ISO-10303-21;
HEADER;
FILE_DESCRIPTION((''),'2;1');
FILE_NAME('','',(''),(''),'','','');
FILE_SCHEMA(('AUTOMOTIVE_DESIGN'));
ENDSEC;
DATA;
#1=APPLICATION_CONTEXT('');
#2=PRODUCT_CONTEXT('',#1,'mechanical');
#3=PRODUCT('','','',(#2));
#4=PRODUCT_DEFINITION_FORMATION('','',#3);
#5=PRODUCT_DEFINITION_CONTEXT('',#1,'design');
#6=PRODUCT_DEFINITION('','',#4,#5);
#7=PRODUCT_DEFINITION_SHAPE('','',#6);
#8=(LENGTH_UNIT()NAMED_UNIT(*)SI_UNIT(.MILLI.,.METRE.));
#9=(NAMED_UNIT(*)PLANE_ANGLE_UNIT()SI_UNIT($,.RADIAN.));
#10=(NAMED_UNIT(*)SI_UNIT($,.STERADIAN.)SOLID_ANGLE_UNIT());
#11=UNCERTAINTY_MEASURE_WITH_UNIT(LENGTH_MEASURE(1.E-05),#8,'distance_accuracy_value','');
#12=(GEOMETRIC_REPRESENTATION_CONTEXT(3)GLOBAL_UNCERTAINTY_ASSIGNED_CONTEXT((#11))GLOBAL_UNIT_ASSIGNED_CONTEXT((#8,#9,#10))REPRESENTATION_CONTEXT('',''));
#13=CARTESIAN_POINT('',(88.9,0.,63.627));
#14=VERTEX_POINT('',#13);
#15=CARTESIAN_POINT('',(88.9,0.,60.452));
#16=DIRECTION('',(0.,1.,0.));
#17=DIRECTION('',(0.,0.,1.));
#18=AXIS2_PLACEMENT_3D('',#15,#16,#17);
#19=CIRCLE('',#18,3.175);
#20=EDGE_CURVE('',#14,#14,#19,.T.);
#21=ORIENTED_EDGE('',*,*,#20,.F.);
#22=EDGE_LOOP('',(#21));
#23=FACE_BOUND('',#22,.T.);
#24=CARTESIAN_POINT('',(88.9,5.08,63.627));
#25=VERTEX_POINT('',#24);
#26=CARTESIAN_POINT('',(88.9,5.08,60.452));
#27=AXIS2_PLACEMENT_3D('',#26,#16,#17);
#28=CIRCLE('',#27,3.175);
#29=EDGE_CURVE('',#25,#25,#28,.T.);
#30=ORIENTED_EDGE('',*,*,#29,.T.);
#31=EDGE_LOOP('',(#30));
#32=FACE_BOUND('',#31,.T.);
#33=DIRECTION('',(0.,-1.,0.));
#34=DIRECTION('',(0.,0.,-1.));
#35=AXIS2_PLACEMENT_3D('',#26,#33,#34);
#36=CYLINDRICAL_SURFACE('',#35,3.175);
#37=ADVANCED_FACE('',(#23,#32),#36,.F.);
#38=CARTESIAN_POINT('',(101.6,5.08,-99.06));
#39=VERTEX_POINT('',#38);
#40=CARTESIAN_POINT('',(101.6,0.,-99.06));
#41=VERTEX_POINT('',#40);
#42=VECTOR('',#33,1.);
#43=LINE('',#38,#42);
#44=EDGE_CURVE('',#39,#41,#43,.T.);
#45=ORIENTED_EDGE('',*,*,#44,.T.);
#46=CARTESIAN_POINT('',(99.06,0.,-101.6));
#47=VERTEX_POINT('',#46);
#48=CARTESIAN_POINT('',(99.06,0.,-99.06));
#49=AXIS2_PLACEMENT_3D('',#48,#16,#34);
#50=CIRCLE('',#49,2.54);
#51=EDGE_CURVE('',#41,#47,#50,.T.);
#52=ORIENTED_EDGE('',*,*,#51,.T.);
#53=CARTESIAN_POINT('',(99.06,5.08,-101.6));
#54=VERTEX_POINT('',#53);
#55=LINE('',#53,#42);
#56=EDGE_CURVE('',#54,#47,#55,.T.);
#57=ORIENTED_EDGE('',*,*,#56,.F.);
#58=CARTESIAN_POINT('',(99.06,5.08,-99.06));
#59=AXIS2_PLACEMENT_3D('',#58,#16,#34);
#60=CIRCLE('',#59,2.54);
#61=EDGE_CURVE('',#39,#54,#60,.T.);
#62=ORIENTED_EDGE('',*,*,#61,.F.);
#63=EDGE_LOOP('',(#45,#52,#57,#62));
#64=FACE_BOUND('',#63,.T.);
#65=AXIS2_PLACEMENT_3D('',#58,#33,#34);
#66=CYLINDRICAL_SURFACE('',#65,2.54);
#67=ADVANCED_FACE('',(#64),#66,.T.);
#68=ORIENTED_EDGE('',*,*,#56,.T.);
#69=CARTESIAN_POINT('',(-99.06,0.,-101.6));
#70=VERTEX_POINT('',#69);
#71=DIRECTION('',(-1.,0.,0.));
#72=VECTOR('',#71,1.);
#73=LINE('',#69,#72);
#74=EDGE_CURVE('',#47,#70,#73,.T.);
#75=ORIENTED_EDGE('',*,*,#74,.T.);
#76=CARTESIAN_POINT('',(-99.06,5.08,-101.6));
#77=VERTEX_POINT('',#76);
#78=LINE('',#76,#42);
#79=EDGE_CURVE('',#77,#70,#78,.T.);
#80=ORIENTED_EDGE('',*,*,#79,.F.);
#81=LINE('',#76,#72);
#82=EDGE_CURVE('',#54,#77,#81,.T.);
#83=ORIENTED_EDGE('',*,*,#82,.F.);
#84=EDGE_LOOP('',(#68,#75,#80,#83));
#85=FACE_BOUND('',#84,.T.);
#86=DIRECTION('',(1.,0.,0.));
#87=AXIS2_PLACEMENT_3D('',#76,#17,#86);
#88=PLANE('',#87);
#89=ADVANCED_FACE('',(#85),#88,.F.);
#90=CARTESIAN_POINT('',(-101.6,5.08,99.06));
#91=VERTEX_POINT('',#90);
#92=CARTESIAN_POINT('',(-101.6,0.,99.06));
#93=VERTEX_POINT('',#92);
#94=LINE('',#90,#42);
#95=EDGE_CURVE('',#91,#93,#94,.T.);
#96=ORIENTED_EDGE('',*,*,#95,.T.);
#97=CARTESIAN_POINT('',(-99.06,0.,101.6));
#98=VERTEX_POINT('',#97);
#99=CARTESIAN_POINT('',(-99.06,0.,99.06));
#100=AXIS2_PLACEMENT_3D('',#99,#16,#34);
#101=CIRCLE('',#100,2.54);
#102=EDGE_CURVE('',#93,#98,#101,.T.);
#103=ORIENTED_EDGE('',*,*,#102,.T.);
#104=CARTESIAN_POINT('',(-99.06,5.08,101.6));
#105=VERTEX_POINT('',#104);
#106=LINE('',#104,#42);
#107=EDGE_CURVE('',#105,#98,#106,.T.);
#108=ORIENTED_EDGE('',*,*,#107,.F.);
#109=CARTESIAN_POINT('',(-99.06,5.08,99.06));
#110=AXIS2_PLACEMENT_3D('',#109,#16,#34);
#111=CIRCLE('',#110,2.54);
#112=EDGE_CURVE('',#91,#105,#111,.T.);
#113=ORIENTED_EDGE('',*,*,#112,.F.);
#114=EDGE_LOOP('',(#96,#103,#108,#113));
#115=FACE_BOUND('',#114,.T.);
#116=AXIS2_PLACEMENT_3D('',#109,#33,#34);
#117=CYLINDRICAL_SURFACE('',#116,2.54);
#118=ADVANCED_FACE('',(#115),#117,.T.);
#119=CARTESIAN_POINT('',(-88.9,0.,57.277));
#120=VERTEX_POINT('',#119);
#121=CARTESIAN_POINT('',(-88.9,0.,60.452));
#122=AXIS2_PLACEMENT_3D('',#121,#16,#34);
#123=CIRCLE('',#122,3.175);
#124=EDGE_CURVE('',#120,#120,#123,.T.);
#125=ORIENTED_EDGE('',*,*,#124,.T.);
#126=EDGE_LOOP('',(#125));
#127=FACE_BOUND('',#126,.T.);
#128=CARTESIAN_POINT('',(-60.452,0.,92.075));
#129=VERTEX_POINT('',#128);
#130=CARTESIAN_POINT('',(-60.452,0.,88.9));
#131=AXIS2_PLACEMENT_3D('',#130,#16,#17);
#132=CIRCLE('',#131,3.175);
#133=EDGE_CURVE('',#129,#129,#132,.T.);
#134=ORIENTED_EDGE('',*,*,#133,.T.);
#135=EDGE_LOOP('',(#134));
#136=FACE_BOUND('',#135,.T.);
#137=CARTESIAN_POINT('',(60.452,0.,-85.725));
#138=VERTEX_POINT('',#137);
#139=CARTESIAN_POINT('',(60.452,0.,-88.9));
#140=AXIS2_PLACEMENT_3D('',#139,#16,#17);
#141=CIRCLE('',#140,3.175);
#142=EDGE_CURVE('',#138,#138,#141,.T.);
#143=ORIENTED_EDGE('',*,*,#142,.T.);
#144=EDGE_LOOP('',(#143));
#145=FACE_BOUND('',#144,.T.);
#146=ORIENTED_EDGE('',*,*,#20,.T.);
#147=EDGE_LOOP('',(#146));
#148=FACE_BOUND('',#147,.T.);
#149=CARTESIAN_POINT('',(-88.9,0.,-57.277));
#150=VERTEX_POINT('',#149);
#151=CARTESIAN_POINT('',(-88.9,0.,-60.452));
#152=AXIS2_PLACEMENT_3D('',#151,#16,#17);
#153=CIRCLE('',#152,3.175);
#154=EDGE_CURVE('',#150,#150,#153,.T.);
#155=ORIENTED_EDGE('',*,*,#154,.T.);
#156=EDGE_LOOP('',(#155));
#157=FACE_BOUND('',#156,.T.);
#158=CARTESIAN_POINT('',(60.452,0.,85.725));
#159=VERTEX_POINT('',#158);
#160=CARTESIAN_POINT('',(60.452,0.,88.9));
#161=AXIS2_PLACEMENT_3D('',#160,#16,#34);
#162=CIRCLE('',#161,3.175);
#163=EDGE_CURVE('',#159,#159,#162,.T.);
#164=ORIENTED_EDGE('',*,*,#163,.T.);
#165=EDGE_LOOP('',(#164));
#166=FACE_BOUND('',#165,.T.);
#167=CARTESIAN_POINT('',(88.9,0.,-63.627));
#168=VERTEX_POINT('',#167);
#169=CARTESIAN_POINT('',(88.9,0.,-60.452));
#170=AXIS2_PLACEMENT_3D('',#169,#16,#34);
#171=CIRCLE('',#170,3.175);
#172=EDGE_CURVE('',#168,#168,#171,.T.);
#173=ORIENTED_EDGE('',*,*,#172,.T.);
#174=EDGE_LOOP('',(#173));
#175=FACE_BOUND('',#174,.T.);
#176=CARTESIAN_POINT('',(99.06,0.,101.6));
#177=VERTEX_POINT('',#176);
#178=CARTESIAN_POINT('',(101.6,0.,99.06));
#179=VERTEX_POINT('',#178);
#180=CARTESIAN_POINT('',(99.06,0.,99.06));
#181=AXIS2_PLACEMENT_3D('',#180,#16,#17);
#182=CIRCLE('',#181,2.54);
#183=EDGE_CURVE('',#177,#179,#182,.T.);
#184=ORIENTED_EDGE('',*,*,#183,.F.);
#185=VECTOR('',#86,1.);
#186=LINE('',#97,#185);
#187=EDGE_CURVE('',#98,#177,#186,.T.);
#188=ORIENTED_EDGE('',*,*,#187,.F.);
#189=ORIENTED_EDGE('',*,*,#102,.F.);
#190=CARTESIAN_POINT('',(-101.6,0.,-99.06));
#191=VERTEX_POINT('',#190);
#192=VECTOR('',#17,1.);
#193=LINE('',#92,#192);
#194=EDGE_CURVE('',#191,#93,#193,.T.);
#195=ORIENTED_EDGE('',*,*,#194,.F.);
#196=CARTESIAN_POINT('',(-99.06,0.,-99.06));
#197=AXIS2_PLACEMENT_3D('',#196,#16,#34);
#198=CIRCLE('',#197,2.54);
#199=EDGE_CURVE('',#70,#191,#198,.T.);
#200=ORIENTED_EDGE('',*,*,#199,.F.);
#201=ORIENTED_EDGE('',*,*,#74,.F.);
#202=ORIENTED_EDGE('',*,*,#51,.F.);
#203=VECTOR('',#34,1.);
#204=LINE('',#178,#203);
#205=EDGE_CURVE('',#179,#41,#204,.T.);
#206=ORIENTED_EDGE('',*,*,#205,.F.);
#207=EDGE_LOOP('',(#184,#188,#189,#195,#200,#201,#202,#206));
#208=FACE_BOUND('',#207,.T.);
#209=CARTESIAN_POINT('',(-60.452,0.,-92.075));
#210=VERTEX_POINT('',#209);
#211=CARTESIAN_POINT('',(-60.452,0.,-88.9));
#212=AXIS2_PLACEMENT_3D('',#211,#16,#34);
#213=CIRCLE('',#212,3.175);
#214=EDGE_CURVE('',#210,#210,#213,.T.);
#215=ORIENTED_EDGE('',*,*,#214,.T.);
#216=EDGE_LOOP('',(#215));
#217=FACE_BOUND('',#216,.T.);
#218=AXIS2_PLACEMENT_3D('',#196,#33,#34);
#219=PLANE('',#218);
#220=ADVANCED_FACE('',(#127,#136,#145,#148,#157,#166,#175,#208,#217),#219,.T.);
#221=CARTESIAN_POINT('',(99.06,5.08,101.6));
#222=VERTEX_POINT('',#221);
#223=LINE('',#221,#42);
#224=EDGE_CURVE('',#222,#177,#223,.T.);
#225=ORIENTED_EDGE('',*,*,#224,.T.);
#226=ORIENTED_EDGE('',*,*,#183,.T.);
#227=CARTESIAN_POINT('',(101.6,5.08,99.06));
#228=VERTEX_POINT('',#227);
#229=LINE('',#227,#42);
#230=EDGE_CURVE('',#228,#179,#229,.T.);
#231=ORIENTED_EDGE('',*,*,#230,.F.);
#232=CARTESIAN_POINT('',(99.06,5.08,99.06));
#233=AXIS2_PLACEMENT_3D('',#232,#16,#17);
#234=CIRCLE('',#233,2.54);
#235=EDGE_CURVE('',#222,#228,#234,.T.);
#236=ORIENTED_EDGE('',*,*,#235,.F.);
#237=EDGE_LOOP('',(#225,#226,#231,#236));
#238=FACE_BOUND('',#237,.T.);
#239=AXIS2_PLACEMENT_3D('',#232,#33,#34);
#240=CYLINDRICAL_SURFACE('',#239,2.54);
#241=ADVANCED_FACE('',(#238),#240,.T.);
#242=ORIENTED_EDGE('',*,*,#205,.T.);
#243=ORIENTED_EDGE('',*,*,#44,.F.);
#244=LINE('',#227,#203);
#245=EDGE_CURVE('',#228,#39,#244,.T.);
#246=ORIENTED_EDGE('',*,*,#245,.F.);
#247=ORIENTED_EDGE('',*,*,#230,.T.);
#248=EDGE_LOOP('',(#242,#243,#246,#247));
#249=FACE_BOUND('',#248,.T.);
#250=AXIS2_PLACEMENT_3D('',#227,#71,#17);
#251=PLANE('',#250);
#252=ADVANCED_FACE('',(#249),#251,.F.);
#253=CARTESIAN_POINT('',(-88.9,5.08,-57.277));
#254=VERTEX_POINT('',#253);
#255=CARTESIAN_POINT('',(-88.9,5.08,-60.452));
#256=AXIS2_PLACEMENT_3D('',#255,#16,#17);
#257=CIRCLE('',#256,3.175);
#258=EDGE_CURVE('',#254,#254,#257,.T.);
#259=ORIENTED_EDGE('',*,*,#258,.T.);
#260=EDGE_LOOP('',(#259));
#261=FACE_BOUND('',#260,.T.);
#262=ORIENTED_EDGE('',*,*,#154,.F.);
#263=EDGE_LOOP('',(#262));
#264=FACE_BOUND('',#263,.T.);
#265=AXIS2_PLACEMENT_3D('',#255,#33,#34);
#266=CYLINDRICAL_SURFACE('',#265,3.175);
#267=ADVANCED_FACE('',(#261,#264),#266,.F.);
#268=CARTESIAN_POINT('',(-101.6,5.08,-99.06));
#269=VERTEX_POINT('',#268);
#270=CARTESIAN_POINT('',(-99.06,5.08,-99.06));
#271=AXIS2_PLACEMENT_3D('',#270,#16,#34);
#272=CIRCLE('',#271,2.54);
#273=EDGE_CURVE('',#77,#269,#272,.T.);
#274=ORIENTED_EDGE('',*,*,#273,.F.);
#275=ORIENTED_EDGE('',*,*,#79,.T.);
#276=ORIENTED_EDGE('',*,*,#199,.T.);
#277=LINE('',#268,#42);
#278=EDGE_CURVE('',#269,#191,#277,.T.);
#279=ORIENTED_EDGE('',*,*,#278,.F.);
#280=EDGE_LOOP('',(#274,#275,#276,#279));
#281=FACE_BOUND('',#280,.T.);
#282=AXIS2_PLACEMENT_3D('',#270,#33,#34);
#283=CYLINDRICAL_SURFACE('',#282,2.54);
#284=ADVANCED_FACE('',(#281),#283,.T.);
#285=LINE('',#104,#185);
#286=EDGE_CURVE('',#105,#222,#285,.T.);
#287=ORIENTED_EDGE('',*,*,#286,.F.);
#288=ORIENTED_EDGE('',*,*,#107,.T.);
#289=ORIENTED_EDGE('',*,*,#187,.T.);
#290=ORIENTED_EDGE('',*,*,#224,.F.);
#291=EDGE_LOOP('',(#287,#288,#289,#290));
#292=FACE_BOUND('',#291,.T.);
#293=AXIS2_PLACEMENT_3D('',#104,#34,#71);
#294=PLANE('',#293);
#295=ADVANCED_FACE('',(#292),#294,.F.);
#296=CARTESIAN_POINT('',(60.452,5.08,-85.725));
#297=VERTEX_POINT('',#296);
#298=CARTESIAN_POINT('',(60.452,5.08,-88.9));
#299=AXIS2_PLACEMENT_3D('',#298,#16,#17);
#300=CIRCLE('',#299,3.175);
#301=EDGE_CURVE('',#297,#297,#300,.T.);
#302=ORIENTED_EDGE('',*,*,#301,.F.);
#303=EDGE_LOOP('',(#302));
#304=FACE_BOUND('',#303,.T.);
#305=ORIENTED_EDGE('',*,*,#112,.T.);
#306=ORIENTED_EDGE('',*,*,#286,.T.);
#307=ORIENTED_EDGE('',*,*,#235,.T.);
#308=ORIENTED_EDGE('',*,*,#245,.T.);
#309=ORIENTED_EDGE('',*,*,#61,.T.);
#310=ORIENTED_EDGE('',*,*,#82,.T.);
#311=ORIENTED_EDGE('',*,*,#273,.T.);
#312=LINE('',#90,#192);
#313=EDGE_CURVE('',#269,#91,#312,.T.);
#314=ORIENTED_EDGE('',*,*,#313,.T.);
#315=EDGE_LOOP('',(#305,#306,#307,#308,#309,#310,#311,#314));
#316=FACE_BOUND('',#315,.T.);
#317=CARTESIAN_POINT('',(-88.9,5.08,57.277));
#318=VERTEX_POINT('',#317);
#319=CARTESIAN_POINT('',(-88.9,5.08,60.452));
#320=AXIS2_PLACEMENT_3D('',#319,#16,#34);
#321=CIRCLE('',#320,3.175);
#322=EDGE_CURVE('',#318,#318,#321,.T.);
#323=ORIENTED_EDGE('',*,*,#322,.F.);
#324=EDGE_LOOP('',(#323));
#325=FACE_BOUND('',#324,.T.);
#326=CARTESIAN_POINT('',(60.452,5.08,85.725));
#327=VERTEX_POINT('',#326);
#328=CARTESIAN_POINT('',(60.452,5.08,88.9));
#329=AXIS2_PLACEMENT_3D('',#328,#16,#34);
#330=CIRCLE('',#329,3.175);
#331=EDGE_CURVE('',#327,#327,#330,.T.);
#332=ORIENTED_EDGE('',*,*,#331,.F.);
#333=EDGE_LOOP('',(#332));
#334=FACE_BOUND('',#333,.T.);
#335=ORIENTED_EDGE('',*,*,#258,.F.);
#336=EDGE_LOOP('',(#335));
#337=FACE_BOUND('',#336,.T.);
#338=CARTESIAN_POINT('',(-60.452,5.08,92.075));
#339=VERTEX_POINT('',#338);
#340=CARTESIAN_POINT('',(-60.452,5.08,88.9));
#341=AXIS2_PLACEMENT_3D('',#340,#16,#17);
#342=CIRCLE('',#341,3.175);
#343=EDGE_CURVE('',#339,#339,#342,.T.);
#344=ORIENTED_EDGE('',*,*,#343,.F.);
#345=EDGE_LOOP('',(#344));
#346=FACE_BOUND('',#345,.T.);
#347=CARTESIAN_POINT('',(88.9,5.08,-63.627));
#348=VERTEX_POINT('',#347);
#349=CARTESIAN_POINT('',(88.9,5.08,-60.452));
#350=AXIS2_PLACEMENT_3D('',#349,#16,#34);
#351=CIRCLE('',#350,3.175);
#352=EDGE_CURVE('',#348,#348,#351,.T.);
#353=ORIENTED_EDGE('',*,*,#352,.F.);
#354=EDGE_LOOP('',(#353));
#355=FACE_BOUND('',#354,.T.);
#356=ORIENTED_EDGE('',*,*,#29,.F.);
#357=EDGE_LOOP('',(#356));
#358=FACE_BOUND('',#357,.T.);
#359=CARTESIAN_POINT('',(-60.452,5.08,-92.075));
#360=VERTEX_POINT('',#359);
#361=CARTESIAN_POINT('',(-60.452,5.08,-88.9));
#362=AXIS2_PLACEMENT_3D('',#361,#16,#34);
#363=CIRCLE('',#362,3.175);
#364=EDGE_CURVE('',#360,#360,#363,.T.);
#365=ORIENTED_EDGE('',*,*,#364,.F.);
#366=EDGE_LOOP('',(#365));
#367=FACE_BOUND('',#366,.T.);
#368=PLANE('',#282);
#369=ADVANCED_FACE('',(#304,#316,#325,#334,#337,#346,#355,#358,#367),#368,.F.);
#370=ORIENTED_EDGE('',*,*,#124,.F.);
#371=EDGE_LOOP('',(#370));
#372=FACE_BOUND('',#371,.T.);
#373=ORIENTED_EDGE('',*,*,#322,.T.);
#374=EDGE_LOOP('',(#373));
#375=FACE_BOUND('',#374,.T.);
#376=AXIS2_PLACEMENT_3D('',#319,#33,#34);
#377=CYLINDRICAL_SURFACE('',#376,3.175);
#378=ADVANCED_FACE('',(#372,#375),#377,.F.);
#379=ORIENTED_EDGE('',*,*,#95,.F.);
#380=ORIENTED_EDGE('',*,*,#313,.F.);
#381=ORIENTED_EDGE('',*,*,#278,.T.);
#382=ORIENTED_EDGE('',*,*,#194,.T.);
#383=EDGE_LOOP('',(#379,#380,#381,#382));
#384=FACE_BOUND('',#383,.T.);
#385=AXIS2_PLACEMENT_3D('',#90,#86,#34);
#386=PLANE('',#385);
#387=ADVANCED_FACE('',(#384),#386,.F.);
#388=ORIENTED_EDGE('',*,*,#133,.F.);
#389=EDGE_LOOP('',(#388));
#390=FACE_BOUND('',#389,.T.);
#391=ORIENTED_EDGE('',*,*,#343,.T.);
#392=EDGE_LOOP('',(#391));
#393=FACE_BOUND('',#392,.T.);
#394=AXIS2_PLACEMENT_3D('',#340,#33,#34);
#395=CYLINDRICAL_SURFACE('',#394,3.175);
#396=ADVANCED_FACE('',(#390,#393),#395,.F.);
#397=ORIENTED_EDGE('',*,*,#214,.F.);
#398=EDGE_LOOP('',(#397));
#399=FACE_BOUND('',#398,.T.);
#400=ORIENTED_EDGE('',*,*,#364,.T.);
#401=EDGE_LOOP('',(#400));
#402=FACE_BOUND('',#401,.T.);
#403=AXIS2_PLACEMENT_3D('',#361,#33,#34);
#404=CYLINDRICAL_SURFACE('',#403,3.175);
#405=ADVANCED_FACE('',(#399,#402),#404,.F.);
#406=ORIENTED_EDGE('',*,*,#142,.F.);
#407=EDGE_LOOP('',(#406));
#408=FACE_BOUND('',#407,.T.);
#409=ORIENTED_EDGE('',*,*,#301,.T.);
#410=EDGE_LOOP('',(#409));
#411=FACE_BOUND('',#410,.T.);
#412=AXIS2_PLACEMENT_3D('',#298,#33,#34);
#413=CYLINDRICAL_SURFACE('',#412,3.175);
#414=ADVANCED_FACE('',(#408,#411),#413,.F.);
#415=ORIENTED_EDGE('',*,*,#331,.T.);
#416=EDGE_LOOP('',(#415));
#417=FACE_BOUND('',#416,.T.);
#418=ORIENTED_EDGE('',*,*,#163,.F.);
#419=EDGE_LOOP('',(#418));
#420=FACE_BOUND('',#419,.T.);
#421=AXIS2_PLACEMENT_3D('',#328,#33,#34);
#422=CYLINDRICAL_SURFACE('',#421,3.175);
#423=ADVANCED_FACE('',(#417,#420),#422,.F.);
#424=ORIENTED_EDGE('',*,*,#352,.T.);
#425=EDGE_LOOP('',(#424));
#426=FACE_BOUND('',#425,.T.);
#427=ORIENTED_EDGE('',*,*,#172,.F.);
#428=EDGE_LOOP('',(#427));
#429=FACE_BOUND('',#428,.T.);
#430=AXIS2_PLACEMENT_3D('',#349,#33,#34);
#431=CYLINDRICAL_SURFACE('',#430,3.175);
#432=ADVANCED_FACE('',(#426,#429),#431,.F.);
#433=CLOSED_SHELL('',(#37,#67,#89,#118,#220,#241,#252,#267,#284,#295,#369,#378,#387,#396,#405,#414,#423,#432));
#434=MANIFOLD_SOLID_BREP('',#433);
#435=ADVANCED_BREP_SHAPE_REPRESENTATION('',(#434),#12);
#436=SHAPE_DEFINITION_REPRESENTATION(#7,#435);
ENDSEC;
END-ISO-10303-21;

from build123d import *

# Parameters (mm, degrees)
SKETCH1_R           = 3.175
BOSS_EXTRUDE1_DEPTH = 5.08


with BuildPart() as part:
    # Sketch1 → Boss-Extrude1 (new body)
    with BuildSketch(Plane(origin=(0, 0, 0), x_dir=(1, 0, 0), z_dir=(0, 1, 0))):
        with BuildLine():
            Line((-99.06, -101.6), (99.06, -101.6))
            ThreePointArc((99.06, -101.6), (100.856051224, -100.856051224), (101.6, -99.06))
            Line((101.6, -99.06), (101.6, 99.06))
            ThreePointArc((101.6, 99.06), (100.856051224, 100.856051224), (99.06, 101.6))
            Line((99.06, 101.6), (-99.06, 101.6))
            ThreePointArc((-99.06, 101.6), (-100.856051224, 100.856051224), (-101.6, 99.06))
            Line((-101.6, 99.06), (-101.6, -99.06))
            ThreePointArc((-101.6, -99.06), (-100.856051224, -100.856051224), (-99.06, -101.6))
        make_face()
        with Locations(Location((-60.452, -88.9, 0), (0, 0, 270))):
            Circle(SKETCH1_R, mode=Mode.SUBTRACT)
        with Locations(Location((-88.9, -60.452, 0), (0, 0, 90))):
            Circle(SKETCH1_R, mode=Mode.SUBTRACT)
        with Locations(Location((88.9, 60.452, 0), (0, 0, 90))):
            Circle(SKETCH1_R, mode=Mode.SUBTRACT)
        with Locations(Location((60.452, 88.9, 0), (0, 0, 270))):
            Circle(SKETCH1_R, mode=Mode.SUBTRACT)
        with Locations(Location((-60.452, 88.9, 0), (0, 0, 90))):
            Circle(SKETCH1_R, mode=Mode.SUBTRACT)
        with Locations(Location((-88.9, 60.452, 0), (0, 0, 270))):
            Circle(SKETCH1_R, mode=Mode.SUBTRACT)
        with Locations(Location((60.452, -88.9, 0), (0, 0, 90))):
            Circle(SKETCH1_R, mode=Mode.SUBTRACT)
        with Locations(Location((88.9, -60.452, 0), (0, 0, 270))):
            Circle(SKETCH1_R, mode=Mode.SUBTRACT)
    extrude(amount=BOSS_EXTRUDE1_DEPTH)


solid = part.part
